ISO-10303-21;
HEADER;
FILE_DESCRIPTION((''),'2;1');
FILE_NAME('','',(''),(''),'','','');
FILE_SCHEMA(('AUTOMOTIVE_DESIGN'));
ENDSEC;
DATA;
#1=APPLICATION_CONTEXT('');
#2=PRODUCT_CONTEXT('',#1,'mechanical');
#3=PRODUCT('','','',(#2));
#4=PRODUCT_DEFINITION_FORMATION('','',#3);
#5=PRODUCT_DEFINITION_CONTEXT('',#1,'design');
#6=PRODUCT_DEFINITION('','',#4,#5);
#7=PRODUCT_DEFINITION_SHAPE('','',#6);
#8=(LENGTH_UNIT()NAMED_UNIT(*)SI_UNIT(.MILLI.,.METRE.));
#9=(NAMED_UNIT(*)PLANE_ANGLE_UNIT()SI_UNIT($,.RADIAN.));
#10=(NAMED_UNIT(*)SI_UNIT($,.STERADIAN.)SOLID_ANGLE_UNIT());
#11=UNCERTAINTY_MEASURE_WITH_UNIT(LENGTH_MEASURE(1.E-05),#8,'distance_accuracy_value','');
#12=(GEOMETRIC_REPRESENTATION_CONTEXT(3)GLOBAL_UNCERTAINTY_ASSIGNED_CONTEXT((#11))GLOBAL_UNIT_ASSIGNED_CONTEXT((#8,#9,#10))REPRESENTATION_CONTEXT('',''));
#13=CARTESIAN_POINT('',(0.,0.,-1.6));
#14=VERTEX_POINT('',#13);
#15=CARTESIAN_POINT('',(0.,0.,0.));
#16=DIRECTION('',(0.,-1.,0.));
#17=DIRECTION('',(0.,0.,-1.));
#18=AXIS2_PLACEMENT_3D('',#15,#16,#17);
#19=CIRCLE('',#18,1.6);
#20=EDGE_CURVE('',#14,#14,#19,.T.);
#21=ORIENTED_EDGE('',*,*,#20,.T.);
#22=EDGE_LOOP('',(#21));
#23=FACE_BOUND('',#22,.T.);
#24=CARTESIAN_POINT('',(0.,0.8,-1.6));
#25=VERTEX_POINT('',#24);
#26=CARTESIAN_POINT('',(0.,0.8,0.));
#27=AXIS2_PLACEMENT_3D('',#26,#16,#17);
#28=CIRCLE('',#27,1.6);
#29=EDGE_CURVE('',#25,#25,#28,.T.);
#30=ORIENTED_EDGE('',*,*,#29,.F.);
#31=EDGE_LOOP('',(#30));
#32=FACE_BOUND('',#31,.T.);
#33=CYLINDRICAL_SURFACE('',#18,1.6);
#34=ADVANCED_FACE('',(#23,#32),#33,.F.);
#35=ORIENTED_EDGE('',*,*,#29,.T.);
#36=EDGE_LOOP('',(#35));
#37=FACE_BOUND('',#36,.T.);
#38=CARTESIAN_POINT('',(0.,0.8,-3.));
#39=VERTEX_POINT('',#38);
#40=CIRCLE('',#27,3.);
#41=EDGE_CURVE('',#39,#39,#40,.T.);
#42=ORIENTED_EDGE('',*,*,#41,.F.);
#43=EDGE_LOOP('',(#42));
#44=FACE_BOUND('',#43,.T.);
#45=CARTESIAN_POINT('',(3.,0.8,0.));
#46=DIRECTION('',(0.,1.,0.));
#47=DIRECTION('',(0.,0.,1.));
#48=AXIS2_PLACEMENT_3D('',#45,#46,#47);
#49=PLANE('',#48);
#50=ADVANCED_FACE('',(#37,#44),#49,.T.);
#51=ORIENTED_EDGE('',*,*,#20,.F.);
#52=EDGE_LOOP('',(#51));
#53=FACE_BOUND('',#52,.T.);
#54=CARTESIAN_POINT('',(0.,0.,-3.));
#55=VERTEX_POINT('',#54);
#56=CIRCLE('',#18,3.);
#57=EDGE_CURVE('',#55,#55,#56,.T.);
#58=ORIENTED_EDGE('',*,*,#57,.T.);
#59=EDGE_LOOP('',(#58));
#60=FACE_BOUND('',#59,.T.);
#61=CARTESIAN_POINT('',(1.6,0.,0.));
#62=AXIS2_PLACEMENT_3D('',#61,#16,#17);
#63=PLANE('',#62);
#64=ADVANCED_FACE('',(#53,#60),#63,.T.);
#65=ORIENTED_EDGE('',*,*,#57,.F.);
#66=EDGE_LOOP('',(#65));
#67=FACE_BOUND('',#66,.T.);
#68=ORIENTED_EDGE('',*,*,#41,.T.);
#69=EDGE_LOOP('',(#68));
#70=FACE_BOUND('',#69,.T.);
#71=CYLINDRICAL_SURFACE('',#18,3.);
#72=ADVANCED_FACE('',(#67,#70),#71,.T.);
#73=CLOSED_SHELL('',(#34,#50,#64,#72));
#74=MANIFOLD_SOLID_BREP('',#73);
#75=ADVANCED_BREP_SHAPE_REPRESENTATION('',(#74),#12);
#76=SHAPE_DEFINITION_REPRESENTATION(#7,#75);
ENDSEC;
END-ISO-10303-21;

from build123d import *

# Parameters (mm, degrees)
ESQUISSE1_W = 1.4
ESQUISSE1_H = 0.8


with BuildPart() as part:
    # Esquisse1 → Base-Révolution (revolve)
    with BuildSketch(Plane.XY):
        with Locations((2.3, 0.4)):
            Rectangle(ESQUISSE1_W, ESQUISSE1_H)
    revolve(axis=Axis((0, 0, 0), (0, 1, 0)))


solid = part.part
